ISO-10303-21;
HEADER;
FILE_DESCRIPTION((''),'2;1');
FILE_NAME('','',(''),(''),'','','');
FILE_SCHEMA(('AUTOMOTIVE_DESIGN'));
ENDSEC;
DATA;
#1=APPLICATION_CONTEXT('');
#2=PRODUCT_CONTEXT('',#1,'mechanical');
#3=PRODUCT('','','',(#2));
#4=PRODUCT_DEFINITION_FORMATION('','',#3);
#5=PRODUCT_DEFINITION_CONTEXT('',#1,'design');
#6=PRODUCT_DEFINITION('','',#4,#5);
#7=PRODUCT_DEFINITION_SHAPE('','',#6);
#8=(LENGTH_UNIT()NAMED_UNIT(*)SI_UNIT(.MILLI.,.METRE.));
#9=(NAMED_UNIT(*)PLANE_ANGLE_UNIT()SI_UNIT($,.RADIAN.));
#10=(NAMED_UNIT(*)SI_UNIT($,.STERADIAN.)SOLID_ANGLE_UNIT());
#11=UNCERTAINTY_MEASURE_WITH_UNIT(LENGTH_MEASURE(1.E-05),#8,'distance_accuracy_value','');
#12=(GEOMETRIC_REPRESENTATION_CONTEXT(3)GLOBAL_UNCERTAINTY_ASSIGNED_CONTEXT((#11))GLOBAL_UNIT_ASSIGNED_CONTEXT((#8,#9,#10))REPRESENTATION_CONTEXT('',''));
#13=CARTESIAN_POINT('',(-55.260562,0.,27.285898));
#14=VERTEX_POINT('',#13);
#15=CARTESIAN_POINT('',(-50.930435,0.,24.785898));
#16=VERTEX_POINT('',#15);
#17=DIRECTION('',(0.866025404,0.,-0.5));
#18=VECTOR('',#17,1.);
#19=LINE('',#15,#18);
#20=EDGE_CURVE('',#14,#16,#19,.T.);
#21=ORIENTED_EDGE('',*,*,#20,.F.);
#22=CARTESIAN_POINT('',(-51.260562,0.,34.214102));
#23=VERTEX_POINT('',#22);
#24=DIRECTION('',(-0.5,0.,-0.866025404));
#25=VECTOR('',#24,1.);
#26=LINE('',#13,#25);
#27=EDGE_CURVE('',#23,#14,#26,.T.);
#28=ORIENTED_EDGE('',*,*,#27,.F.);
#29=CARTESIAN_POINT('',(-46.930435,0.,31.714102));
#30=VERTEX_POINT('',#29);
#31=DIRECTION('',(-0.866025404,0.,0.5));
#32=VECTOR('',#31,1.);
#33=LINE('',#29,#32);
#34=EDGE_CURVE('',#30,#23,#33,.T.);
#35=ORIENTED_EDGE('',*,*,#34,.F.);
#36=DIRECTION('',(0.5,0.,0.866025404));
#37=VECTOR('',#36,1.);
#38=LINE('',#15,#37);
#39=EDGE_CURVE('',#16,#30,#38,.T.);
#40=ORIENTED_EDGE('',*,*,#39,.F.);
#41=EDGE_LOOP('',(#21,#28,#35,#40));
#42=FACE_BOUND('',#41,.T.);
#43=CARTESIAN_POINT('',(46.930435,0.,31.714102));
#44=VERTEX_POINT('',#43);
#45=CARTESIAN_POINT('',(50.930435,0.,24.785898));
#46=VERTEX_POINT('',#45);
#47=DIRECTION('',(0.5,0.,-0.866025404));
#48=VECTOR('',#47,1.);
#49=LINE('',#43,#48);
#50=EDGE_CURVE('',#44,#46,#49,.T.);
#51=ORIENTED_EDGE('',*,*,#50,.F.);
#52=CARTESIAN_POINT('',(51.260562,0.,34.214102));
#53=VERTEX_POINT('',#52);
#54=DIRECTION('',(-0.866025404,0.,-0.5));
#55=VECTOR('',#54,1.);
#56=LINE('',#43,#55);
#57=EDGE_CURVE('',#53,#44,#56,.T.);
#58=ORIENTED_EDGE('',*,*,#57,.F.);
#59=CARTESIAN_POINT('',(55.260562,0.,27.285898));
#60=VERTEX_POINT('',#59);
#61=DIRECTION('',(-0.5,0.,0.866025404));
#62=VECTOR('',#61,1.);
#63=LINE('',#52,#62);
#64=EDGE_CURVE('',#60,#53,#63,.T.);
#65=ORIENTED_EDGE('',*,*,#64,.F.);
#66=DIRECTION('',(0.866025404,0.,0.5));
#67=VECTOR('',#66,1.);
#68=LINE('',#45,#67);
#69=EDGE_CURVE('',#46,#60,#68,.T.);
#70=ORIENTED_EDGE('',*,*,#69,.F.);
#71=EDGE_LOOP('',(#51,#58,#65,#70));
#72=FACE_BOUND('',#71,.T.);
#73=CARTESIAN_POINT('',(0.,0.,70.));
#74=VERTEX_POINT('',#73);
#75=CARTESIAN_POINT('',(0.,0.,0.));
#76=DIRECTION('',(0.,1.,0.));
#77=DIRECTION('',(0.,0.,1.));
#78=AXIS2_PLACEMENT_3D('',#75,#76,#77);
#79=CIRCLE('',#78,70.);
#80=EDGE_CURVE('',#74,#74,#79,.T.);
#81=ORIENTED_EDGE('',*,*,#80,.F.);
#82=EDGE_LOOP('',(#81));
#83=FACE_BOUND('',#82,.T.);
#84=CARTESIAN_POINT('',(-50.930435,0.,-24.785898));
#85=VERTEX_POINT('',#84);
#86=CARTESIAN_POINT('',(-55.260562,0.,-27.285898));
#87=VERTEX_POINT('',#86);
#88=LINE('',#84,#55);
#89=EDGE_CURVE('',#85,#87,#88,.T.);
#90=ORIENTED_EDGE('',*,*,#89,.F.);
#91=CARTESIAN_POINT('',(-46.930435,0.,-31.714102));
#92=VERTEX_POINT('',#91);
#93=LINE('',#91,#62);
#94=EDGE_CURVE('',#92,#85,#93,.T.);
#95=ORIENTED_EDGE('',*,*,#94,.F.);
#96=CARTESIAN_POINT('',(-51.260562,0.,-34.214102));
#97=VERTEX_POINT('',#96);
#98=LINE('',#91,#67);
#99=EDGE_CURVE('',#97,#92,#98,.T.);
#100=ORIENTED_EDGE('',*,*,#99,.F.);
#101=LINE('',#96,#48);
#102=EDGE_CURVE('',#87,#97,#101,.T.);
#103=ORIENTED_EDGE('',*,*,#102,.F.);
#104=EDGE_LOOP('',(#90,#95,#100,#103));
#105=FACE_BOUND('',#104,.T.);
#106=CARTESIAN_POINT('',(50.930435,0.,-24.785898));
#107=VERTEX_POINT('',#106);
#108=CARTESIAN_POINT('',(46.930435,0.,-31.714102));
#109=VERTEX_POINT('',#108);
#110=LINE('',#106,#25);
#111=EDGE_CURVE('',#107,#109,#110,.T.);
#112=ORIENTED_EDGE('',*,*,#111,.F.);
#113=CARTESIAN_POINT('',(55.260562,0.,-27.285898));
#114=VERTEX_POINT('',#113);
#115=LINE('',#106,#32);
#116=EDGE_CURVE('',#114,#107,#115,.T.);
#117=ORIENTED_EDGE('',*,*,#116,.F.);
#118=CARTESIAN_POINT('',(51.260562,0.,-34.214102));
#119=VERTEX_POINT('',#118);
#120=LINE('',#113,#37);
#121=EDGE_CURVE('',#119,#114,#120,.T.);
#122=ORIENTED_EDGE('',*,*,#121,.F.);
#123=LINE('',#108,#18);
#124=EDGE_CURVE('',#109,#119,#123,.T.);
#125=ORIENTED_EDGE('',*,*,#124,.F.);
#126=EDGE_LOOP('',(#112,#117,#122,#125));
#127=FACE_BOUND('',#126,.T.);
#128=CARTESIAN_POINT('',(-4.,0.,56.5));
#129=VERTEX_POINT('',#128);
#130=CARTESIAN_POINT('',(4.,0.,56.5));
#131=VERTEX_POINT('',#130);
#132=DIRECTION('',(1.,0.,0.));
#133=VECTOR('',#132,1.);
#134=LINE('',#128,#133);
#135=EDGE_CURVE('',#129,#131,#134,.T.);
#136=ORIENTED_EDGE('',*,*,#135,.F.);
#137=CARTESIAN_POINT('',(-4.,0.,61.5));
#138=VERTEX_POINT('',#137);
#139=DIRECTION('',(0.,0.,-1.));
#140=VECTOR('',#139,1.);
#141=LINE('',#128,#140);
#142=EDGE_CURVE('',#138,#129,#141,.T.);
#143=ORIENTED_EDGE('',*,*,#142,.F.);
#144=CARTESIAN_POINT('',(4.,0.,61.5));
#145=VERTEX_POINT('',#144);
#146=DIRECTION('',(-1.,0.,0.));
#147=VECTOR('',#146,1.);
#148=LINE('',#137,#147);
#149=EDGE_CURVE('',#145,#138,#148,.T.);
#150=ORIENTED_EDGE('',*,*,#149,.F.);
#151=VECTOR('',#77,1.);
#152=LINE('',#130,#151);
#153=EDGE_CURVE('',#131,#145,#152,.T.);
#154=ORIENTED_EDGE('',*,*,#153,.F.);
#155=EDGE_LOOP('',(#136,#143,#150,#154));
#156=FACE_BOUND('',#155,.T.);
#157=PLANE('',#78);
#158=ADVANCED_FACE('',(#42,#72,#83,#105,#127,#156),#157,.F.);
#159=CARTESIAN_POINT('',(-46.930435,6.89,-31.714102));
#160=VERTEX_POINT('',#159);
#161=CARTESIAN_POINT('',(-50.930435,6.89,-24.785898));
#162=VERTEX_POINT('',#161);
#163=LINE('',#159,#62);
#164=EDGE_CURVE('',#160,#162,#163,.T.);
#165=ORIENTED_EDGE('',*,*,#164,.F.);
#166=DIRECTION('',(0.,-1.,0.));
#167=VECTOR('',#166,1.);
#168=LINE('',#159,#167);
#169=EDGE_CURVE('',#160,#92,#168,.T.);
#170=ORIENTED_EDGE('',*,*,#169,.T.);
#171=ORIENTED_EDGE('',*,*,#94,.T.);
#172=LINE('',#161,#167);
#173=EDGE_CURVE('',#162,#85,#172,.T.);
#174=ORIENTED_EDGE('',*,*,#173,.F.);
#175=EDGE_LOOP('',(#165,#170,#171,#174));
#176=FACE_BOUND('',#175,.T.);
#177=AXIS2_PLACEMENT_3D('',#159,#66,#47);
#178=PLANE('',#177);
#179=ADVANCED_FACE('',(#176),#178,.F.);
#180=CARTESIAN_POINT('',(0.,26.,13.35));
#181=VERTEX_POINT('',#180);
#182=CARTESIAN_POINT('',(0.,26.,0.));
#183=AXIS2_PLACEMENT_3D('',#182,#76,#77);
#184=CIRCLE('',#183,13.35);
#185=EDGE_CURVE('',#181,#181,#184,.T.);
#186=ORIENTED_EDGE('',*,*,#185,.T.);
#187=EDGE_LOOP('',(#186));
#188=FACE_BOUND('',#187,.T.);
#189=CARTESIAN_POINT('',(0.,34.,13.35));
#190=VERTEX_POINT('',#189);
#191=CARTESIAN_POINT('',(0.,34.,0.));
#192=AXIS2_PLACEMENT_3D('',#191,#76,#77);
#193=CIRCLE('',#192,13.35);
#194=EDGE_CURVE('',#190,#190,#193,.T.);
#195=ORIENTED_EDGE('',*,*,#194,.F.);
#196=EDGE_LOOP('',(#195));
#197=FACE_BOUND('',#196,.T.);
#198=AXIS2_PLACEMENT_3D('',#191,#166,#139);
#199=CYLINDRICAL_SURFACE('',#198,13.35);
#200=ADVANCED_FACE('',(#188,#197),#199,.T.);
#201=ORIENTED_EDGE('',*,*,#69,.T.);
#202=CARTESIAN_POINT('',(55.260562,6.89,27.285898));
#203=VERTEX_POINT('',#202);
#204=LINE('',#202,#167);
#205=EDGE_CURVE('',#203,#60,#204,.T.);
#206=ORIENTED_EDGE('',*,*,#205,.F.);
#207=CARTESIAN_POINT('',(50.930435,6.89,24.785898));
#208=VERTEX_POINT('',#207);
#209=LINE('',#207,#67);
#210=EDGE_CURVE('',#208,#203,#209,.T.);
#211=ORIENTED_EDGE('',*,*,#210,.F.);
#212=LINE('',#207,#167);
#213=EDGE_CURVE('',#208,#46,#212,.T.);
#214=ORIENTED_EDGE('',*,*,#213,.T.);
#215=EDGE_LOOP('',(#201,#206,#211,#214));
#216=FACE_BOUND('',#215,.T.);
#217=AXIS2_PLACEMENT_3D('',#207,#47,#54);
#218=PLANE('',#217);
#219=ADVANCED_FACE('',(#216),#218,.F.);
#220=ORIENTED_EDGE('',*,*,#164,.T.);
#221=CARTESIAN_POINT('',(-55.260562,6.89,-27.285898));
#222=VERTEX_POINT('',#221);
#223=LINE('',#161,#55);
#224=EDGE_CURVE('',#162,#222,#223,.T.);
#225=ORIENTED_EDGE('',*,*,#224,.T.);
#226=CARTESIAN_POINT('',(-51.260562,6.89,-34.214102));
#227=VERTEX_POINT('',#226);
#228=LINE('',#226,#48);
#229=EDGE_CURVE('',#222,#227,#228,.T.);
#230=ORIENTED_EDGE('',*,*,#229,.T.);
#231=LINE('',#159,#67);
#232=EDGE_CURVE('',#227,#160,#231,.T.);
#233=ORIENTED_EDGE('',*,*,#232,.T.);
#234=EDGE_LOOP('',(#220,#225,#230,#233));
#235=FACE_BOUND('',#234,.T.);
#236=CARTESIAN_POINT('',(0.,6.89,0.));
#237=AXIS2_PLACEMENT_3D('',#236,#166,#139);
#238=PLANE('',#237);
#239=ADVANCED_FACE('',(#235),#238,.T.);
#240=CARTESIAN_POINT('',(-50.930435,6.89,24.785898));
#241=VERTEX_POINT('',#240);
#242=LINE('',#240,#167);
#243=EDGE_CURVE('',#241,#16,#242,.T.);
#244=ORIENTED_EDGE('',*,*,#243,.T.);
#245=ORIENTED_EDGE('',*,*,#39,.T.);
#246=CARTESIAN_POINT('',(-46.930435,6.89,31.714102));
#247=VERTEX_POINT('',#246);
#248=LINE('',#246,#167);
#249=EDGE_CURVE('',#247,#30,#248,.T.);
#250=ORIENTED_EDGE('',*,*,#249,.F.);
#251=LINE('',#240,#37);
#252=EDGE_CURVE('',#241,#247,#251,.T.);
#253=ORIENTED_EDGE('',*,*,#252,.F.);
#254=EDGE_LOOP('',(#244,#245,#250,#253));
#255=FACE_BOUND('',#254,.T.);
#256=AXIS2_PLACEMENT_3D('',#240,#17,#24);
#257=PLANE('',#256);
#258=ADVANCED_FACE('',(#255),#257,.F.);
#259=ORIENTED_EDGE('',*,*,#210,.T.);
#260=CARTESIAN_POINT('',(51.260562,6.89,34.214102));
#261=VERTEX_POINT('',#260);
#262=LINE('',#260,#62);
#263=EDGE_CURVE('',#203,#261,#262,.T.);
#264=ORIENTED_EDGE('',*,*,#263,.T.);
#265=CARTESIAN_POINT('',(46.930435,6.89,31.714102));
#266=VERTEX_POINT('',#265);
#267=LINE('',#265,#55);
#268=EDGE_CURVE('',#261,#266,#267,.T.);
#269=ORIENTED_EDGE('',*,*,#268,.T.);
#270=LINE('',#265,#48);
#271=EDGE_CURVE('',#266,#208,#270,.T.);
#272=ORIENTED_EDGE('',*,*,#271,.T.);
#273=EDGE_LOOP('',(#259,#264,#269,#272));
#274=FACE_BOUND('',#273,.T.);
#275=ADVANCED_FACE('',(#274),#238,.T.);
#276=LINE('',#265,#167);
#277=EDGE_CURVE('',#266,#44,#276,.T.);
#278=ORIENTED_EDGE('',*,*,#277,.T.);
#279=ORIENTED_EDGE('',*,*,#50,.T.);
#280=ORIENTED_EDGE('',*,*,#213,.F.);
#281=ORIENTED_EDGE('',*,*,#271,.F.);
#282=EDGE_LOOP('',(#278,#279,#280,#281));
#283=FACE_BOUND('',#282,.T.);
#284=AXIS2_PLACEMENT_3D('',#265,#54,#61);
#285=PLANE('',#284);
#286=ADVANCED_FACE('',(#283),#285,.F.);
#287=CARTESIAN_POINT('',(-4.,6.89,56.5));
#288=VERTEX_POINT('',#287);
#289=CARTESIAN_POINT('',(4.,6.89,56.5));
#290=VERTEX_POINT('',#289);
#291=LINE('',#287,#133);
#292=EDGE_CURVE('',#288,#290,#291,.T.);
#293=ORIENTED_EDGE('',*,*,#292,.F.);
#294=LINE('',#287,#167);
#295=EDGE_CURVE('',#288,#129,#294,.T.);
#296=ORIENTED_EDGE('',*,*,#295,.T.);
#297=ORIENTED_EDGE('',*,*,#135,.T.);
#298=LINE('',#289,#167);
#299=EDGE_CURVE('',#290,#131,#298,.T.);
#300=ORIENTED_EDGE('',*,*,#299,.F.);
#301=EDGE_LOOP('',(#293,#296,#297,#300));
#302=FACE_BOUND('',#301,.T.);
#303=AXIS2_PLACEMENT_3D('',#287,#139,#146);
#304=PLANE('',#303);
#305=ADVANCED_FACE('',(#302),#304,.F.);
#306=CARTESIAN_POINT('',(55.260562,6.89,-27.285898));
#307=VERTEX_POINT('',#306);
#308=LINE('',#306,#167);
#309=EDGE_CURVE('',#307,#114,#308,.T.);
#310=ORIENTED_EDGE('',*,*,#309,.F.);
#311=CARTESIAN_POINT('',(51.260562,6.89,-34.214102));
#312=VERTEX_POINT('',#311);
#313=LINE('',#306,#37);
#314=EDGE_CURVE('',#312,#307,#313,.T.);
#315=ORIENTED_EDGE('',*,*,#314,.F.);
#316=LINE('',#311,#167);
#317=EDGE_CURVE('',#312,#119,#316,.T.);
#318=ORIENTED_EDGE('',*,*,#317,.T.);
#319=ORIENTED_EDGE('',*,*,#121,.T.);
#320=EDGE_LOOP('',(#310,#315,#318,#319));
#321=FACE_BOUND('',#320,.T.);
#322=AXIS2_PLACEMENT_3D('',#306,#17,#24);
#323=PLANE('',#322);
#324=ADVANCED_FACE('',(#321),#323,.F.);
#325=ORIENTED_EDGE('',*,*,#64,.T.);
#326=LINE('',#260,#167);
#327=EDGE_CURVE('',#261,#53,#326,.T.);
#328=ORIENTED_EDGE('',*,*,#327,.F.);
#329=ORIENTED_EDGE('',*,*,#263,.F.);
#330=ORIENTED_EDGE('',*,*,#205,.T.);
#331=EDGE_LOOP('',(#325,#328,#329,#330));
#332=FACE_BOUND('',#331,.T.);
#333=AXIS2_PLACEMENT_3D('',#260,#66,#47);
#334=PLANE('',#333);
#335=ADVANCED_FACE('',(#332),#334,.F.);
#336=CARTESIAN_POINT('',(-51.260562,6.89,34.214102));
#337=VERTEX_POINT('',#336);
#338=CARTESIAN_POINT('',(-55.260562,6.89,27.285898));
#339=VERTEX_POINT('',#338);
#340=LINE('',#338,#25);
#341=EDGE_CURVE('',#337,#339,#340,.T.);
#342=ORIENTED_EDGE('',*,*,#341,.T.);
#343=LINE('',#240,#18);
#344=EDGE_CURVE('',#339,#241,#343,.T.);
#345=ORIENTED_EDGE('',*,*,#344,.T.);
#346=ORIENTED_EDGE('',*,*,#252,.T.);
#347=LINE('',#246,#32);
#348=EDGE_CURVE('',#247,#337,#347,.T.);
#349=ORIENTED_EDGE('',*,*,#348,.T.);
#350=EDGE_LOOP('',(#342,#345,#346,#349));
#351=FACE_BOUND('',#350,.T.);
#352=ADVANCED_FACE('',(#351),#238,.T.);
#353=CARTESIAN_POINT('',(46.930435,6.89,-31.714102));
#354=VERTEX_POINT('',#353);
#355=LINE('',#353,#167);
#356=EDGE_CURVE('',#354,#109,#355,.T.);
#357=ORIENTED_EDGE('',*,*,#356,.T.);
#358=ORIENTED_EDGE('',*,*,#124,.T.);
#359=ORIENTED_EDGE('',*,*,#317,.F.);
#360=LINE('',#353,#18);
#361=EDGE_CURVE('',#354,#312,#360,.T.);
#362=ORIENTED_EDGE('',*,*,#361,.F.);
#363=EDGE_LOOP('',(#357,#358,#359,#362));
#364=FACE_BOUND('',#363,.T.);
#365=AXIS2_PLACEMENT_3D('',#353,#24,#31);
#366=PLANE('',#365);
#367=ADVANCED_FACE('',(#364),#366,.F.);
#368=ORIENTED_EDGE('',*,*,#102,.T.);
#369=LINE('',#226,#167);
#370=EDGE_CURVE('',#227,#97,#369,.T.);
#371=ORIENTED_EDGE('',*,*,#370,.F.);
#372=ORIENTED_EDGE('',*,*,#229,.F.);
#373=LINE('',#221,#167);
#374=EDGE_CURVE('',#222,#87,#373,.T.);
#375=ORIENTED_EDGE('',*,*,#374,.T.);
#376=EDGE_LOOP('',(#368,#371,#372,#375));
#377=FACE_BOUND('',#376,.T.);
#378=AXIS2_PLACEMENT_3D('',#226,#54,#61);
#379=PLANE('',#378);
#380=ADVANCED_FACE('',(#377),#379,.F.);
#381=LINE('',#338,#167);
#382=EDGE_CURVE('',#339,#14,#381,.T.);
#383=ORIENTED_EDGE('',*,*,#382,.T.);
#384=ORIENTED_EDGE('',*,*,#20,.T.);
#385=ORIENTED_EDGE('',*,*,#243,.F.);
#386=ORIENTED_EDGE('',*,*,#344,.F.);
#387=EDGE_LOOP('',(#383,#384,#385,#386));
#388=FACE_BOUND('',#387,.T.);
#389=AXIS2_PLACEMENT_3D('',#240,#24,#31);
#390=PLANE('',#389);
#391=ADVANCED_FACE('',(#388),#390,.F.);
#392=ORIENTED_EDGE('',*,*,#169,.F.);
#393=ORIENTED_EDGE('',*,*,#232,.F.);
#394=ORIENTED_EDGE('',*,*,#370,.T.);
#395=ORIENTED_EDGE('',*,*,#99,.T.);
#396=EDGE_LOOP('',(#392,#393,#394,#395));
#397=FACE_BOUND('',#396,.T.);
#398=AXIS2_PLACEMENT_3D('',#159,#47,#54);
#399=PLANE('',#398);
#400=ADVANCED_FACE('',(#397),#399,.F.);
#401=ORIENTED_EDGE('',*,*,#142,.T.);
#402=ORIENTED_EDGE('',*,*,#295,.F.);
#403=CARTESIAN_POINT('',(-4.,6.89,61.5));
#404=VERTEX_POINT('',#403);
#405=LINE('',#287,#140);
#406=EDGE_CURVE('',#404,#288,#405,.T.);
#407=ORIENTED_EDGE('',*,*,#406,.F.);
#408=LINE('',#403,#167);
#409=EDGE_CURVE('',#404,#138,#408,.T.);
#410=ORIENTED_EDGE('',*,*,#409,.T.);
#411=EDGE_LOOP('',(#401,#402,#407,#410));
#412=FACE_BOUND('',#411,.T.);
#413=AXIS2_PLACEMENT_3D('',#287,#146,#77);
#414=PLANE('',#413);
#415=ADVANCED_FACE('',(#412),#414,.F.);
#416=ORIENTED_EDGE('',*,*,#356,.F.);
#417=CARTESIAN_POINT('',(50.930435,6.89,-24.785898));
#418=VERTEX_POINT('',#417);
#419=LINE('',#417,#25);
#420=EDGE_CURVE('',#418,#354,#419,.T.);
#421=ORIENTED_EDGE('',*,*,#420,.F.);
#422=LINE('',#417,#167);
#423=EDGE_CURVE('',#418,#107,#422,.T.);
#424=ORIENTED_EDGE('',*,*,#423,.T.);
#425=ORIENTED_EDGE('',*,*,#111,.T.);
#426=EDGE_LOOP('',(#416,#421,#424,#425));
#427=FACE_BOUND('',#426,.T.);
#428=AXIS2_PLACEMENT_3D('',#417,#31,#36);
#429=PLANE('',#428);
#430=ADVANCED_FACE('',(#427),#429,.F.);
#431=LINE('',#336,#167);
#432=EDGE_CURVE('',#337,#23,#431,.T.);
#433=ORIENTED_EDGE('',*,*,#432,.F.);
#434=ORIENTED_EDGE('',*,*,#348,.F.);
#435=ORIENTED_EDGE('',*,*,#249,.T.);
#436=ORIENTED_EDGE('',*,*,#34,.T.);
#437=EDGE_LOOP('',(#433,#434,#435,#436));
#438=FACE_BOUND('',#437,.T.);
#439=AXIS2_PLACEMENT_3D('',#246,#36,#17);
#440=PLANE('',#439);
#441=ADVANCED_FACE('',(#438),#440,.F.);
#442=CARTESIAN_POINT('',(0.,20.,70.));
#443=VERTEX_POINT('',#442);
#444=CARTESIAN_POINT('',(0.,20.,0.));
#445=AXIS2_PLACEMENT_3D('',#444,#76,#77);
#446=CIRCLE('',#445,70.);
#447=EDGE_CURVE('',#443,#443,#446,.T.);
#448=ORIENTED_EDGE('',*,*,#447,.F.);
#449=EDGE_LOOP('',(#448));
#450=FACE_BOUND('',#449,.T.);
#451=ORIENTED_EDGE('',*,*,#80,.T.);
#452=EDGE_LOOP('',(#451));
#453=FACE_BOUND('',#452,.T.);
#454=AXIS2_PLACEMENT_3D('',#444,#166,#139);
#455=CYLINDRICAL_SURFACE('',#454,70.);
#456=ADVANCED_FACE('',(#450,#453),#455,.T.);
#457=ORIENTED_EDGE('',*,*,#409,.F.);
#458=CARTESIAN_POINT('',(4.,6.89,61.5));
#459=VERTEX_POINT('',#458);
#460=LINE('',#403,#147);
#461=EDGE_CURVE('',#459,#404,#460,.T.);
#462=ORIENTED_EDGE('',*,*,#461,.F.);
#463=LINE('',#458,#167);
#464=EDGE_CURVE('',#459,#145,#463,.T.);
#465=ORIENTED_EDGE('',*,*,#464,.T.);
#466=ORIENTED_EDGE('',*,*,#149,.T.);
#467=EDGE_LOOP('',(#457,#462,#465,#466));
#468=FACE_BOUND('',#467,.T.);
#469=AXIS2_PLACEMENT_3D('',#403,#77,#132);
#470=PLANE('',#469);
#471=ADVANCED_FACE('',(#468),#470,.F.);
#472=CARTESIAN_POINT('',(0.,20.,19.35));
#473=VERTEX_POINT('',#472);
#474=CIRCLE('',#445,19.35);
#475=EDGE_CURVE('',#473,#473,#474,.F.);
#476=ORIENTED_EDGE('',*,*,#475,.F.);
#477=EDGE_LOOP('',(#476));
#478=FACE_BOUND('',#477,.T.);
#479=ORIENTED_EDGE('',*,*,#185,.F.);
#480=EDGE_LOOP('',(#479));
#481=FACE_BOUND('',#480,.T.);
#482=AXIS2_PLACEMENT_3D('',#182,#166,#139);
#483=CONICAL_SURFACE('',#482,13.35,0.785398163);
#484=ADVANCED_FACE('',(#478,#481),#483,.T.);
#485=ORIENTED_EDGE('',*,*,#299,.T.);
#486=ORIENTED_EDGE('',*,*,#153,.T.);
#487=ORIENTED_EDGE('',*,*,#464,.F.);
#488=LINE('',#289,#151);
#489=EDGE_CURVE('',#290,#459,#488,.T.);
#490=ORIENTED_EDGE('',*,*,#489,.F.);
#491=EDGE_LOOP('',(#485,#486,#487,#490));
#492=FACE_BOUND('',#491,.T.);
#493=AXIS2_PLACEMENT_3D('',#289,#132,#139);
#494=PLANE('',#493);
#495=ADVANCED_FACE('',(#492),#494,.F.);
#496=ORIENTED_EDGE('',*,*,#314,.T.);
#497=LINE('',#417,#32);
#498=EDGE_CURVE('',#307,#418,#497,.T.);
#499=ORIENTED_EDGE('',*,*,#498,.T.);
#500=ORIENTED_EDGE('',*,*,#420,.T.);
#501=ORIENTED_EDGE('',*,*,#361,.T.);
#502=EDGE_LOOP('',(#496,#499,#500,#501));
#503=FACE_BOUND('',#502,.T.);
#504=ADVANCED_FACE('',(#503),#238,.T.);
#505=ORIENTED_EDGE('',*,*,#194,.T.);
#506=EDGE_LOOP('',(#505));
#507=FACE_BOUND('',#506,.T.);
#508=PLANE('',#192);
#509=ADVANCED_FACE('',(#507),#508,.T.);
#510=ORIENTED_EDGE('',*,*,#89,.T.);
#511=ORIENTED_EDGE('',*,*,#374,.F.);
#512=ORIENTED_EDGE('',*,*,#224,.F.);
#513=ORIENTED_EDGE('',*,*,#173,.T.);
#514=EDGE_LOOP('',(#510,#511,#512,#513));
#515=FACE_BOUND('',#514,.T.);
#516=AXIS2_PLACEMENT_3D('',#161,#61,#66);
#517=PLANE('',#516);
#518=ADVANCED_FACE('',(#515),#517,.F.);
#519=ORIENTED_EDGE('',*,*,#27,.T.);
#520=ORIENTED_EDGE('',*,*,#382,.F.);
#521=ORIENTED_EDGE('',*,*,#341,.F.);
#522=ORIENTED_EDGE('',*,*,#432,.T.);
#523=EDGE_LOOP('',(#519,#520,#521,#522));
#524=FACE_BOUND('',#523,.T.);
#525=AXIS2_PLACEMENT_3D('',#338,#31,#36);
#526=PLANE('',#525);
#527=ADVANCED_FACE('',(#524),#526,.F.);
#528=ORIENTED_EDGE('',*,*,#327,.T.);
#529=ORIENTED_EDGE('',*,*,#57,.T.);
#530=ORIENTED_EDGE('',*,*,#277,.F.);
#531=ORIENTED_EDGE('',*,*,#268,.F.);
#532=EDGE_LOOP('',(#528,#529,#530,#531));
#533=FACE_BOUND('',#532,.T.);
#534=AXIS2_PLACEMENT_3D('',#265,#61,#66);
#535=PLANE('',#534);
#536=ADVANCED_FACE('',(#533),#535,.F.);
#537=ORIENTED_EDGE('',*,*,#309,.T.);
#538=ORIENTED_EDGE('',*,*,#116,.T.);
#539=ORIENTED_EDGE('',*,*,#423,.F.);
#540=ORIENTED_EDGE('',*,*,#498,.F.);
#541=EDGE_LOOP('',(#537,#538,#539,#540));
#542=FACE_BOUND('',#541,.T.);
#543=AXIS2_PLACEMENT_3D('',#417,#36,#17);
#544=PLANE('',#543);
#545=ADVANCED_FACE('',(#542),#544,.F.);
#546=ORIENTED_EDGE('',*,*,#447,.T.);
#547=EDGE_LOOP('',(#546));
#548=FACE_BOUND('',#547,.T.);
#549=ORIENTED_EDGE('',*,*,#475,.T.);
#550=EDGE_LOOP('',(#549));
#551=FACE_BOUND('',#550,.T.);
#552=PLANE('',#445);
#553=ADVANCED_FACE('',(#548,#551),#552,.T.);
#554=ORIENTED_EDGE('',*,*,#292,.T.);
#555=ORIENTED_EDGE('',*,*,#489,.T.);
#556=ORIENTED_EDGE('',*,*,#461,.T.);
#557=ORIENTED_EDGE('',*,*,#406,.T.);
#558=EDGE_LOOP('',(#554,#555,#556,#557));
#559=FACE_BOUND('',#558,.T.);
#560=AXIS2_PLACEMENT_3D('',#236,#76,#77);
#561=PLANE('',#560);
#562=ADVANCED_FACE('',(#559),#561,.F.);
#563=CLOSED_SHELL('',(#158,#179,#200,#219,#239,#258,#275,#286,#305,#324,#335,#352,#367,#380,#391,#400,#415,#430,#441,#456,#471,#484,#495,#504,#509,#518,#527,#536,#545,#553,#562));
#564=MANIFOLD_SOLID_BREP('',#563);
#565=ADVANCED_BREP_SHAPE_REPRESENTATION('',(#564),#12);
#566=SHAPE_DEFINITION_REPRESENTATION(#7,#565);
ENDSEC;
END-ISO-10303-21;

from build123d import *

# Parameters (mm, degrees)
SKETCH1_R           = 70
BOSS_EXTRUDE1_DEPTH = 20
SKETCH2_W           = 8
SKETCH2_H           = 5
CUT_EXTRUDE1_DEPTH  = 6.89
SKETCH3_R           = 13.35
BOSS_EXTRUDE2_DEPTH = 14
CHAMFER1_SIZE       = 6


with BuildPart() as part:
    # Sketch1 → Boss-Extrude1 (new body)
    with BuildSketch(Plane(origin=(0, 0, 0), x_dir=(1, 0, 0), z_dir=(0, 1, 0))):
        Circle(SKETCH1_R)
    extrude(amount=BOSS_EXTRUDE1_DEPTH)

    # Sketch2 → Cut-Extrude1 (cut)
    with BuildSketch(Plane.XZ):
        with Locations((0, 59)):
            Rectangle(SKETCH2_W, SKETCH2_H)
        Polygon((50.930435314, 24.785898385), (55.260562333, 27.285898385), (51.260562333, 34.214101615), (46.930435314, 31.714101615), align=None)
        Polygon((46.930435314, -31.714101615), (51.260562333, -34.214101615), (55.260562333, -27.285898385), (50.930435314, -24.785898385), align=None)
        Polygon((-50.930435314, -24.785898385), (-55.260562333, -27.285898385), (-51.260562333, -34.214101615), (-46.930435314, -31.714101615), align=None)
        Polygon((-46.930435314, 31.714101615), (-51.260562333, 34.214101615), (-55.260562333, 27.285898385), (-50.930435314, 24.785898385), align=None)
    extrude(amount=-CUT_EXTRUDE1_DEPTH, mode=Mode.SUBTRACT)

    # Sketch3 → Boss-Extrude2 (add)
    with BuildSketch(Plane(origin=(0, 20, 0), x_dir=(1, 0, 0), z_dir=(0, 1, 0))):
        Circle(SKETCH3_R)
    extrude(amount=BOSS_EXTRUDE2_DEPTH)

    # Chamfer1
    chamfer1_edges = [part.edges().sort_by_distance(p)[0] for p in [
        (-13.35, 20, 0),
    ]]
    chamfer(chamfer1_edges, length=CHAMFER1_SIZE)


solid = part.part
